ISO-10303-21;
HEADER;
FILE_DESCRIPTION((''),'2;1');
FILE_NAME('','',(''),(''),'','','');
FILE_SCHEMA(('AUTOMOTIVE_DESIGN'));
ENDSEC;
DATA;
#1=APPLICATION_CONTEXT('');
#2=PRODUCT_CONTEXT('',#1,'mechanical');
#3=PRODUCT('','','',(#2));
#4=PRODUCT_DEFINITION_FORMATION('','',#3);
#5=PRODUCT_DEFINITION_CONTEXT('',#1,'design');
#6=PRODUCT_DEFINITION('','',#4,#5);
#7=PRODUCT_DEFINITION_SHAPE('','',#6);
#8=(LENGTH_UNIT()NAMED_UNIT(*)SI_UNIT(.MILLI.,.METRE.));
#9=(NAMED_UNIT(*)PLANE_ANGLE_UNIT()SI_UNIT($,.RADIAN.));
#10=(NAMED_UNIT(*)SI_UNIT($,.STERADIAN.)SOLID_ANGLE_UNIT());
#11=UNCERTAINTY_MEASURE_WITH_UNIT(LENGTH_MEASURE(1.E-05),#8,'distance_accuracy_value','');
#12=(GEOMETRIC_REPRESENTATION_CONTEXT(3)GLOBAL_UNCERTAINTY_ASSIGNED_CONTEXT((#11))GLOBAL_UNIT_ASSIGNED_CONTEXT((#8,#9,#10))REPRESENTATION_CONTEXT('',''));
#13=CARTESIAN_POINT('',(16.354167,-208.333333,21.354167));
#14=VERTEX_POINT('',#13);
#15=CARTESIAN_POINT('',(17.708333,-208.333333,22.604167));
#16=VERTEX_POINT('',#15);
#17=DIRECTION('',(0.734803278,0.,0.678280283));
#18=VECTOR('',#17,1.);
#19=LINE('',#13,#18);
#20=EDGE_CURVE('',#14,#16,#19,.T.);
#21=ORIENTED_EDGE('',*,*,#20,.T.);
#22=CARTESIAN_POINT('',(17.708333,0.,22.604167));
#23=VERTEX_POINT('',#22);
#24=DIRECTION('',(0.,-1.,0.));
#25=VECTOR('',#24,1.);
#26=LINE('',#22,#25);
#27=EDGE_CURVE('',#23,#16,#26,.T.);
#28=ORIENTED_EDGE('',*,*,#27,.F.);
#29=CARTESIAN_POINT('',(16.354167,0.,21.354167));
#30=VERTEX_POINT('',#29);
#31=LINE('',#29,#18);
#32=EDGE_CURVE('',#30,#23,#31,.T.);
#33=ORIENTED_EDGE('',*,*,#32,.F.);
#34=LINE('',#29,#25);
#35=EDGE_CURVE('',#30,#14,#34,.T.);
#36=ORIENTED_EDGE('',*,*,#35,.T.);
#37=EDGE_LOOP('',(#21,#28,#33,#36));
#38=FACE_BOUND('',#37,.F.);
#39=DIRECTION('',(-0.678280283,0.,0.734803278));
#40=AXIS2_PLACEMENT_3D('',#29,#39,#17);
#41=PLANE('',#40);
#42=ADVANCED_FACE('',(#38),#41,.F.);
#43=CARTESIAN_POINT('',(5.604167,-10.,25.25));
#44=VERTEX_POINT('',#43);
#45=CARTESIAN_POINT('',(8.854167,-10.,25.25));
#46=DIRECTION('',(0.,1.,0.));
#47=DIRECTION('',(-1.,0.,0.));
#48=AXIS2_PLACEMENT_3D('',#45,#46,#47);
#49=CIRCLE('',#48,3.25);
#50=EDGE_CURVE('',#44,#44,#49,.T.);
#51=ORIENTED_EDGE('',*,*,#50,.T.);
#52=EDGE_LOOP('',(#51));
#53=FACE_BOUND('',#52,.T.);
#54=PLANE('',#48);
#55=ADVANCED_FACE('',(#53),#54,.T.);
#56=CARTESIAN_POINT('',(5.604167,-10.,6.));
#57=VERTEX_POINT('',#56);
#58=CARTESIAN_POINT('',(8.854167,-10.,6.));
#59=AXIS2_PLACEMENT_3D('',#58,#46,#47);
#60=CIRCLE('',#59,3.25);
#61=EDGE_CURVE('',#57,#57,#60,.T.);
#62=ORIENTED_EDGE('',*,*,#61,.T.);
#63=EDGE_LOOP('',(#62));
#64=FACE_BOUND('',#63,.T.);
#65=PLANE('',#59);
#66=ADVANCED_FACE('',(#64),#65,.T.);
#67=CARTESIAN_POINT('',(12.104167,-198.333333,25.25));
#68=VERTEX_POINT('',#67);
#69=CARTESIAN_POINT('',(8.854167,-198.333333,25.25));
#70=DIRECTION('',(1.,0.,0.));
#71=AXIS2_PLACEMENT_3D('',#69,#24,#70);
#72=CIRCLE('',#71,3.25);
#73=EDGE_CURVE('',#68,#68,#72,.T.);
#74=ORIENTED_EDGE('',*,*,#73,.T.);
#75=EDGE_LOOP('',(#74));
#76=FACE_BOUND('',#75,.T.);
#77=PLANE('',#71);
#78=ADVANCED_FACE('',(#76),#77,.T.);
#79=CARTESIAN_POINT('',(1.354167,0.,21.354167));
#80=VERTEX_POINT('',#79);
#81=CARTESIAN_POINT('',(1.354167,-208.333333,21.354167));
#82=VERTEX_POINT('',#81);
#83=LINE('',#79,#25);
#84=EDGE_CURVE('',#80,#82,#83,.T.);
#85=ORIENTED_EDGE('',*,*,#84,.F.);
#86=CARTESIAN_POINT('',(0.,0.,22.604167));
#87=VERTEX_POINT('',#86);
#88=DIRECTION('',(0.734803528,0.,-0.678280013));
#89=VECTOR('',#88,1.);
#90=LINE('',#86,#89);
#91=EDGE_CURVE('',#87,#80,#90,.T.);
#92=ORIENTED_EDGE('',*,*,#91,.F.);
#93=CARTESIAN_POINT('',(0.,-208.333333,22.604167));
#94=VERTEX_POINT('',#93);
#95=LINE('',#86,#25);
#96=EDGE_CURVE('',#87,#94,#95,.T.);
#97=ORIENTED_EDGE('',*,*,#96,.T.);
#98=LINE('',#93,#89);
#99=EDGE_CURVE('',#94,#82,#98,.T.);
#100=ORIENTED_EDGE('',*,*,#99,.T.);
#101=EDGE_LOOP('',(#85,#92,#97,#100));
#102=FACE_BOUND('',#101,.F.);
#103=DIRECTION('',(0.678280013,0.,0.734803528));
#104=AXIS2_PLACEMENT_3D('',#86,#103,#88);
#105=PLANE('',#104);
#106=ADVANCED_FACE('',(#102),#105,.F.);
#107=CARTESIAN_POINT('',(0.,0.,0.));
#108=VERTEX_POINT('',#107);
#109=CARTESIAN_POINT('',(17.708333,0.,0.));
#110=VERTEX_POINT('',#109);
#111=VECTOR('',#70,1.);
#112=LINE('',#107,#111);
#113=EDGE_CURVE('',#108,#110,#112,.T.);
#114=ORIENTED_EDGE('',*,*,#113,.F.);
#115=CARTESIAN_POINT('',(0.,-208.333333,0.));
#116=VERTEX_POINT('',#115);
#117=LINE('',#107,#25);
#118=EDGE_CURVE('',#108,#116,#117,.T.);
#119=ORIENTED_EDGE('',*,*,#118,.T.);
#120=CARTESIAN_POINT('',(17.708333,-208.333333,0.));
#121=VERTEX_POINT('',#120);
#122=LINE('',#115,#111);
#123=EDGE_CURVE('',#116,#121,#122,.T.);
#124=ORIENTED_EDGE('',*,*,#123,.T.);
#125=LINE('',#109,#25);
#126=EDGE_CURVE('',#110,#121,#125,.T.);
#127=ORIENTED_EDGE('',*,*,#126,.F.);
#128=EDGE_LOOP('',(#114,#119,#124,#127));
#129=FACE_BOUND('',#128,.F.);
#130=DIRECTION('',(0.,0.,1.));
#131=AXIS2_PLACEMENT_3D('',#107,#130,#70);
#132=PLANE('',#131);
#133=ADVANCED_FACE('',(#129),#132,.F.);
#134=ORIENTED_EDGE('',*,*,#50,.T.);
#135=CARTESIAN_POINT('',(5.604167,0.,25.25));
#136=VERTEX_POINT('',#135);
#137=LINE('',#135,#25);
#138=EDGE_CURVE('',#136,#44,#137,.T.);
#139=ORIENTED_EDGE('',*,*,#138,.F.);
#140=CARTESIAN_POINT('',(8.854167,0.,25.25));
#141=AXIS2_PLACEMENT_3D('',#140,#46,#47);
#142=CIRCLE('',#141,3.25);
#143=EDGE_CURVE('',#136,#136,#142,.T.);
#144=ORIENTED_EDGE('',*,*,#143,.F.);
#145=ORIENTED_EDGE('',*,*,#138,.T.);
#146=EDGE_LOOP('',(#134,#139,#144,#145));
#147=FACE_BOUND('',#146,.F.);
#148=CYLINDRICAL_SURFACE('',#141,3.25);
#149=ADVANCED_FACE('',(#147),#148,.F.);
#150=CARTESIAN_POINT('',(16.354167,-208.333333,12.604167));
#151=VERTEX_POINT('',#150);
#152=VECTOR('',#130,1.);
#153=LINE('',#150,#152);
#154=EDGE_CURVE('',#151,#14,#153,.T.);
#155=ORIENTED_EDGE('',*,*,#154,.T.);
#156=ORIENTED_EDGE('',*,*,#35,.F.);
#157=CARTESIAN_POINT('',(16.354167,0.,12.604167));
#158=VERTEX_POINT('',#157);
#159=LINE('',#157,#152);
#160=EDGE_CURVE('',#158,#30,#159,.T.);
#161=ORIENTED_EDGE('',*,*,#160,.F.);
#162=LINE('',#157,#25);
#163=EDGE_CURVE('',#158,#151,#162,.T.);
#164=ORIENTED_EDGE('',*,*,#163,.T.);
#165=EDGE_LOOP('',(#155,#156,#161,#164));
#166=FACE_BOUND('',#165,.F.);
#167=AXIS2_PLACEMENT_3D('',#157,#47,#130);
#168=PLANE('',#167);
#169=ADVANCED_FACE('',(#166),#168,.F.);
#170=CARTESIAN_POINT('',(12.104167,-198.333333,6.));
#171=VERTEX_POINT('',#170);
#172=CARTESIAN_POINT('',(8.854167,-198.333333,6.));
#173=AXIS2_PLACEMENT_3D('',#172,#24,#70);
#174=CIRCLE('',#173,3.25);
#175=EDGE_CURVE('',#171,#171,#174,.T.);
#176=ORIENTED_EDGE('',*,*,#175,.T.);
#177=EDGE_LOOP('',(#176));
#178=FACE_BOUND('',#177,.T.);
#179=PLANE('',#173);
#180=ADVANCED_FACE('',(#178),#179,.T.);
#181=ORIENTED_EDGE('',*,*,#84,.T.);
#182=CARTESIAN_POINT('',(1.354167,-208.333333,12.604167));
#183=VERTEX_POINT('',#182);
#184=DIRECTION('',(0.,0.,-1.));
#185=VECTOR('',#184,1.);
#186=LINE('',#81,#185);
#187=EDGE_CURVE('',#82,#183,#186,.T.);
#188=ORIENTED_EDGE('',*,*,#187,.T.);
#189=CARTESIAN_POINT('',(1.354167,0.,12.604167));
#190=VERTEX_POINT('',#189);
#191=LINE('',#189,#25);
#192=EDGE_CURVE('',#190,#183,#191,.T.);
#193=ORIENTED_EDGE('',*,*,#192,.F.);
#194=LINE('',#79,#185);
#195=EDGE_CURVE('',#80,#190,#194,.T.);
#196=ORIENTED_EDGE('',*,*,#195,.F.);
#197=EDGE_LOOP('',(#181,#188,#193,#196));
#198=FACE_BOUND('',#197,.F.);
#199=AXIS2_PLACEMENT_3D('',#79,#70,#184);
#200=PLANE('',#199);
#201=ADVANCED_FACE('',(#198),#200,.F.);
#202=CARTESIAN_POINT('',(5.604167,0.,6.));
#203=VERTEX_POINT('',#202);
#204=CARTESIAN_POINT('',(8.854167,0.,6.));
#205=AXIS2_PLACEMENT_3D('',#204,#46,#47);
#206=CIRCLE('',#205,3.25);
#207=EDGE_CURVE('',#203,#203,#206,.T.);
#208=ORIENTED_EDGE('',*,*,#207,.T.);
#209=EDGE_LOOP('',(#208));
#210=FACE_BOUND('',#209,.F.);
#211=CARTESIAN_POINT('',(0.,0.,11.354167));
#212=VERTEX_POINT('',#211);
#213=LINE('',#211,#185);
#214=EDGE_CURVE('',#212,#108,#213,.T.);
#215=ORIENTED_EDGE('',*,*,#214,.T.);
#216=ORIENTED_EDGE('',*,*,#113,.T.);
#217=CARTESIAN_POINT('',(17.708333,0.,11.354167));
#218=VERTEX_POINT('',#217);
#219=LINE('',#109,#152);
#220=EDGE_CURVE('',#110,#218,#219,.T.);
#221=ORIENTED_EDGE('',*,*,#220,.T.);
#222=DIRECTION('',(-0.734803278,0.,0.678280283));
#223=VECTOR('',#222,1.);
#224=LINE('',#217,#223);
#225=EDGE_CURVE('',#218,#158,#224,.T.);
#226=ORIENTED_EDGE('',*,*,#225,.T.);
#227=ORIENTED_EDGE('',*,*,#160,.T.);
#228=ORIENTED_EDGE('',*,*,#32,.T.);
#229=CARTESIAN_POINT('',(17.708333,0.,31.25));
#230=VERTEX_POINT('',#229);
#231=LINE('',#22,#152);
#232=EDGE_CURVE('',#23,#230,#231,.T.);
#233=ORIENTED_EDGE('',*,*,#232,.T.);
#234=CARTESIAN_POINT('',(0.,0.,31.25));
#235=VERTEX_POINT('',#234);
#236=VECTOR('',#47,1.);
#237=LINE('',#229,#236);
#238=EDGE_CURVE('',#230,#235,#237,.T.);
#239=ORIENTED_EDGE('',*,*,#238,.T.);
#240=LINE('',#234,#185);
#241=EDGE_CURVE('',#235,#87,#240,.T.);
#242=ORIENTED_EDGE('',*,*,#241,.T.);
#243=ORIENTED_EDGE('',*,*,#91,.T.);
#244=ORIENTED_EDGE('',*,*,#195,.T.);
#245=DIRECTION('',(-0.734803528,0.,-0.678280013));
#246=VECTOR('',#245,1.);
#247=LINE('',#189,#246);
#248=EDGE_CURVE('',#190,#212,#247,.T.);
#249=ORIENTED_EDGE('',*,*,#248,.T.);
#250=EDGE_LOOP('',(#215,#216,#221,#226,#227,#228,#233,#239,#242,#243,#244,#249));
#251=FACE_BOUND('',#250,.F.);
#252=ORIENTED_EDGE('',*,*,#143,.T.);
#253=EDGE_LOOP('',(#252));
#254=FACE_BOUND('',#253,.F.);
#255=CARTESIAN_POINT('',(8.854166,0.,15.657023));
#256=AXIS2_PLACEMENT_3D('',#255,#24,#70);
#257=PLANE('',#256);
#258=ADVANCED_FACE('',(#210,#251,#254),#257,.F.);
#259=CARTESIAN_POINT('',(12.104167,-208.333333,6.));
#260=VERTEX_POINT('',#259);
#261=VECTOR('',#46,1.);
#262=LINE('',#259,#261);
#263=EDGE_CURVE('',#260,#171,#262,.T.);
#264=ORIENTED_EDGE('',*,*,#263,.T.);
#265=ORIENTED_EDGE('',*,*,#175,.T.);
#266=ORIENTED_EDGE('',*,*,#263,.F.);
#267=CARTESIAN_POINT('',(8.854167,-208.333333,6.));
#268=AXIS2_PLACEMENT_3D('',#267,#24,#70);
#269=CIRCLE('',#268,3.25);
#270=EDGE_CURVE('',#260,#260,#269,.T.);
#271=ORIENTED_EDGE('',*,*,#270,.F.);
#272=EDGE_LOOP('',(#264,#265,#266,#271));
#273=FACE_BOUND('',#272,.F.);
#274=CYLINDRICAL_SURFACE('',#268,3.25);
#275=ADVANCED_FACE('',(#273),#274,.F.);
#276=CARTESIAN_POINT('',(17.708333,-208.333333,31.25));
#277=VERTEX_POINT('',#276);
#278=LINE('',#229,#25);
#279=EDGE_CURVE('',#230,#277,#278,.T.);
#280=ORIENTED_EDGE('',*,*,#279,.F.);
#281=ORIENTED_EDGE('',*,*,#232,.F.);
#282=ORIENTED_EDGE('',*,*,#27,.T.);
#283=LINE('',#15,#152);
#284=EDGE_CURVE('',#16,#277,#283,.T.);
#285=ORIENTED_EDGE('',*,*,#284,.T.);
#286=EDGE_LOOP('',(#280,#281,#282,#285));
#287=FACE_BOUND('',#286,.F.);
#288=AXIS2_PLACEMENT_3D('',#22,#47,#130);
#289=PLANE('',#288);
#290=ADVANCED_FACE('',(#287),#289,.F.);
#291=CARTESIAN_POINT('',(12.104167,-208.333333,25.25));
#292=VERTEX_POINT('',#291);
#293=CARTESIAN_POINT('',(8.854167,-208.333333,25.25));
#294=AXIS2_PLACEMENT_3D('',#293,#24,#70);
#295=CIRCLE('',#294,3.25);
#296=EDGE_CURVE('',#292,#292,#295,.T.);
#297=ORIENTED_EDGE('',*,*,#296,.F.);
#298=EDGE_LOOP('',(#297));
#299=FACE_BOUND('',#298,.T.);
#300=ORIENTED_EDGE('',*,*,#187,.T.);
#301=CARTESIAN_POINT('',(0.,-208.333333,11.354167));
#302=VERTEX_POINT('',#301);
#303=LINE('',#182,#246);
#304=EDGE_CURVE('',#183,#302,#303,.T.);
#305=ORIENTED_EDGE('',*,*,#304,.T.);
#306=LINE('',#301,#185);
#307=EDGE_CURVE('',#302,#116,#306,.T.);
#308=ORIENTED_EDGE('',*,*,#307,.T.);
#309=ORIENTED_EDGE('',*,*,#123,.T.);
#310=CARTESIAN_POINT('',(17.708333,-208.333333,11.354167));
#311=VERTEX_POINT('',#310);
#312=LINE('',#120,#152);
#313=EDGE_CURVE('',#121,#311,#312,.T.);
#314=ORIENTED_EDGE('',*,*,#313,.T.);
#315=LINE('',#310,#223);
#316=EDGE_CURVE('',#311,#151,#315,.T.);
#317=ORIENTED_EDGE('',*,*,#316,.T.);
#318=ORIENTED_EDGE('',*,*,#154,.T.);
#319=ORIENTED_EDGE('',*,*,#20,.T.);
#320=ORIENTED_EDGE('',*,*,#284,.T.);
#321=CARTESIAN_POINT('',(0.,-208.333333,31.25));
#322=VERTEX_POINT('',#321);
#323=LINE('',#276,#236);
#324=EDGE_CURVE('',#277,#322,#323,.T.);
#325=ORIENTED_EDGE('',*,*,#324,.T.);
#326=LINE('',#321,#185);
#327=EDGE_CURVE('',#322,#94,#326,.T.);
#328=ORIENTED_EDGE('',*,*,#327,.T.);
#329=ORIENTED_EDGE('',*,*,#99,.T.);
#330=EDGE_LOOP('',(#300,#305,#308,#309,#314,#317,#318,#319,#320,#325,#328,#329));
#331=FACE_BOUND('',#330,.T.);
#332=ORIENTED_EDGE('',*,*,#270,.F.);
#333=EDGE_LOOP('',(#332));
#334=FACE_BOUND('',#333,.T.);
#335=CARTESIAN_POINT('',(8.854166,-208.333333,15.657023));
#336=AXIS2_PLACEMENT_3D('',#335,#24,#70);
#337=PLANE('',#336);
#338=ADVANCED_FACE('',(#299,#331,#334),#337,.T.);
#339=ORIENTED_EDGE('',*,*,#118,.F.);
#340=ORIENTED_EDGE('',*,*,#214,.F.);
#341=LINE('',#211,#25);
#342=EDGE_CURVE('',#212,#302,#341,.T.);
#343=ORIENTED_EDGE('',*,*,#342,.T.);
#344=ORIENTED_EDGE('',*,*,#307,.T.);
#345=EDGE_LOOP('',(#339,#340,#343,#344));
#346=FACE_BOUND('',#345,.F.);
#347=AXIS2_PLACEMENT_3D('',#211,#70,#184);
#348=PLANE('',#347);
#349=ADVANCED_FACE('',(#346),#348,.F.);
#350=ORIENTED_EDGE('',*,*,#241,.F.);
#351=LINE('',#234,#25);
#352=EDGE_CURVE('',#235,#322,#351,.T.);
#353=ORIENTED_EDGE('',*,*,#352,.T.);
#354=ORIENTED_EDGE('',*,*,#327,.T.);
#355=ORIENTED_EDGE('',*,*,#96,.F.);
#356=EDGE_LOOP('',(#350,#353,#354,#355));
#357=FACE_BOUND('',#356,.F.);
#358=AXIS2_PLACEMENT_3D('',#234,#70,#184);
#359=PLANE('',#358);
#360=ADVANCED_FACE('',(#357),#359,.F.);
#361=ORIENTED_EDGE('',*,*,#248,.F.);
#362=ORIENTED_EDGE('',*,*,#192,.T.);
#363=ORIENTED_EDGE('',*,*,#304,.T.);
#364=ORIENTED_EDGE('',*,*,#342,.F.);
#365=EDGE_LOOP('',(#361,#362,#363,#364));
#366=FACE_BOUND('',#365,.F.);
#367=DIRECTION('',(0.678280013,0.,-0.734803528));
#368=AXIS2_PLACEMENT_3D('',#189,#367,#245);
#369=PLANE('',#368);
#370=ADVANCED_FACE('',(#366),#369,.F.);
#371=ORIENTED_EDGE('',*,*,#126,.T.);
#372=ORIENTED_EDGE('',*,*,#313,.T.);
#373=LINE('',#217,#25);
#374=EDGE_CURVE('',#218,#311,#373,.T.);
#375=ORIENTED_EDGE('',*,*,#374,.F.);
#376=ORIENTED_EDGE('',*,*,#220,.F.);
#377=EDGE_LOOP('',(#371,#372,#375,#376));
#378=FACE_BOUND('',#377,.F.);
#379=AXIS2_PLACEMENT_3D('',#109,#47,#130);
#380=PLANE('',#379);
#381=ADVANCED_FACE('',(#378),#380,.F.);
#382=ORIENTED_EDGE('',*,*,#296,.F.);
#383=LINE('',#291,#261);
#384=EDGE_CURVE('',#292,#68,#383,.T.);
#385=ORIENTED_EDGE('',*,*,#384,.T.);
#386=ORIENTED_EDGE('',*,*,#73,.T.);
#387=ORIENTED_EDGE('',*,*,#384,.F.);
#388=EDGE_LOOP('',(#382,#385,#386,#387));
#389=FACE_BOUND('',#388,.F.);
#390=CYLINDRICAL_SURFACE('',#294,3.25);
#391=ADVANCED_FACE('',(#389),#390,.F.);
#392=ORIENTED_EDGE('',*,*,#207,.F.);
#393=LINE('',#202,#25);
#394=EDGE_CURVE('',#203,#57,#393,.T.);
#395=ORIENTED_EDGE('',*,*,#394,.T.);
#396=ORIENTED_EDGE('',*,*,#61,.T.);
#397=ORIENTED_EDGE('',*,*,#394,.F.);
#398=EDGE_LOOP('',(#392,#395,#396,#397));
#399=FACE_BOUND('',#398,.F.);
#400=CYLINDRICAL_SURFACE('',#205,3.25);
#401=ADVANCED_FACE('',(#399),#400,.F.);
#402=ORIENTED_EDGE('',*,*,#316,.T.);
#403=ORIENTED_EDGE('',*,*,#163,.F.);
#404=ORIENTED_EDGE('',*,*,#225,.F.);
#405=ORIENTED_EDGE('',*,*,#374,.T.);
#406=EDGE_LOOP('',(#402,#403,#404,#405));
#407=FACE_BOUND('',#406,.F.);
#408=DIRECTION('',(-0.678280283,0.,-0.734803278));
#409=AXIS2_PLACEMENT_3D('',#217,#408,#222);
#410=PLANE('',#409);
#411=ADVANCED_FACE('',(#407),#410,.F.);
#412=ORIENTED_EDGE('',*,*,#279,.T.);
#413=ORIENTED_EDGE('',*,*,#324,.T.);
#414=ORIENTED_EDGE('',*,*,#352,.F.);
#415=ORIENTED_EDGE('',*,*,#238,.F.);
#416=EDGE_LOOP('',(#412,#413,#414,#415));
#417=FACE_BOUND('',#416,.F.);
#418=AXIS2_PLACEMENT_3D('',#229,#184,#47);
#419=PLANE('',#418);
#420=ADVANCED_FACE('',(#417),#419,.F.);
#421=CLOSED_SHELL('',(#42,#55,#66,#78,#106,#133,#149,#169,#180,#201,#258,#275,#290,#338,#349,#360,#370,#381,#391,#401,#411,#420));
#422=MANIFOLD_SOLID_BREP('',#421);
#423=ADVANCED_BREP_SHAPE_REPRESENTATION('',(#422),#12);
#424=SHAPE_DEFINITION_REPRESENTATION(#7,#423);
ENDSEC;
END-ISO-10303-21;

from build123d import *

# Parameters (mm, degrees)
F1_DEPTH = 208.333333
F2_R     = 3.25
F3_DEPTH = 10
F4_R     = 3.25
F5_DEPTH = 10


with BuildPart() as f1:
    # F0 (on Front) → F1 (new body)
    with BuildSketch(Plane.XZ):
        Polygon((0, 0), (8.854167, 0), (17.708333, 0), (17.708333, 11.354167), (16.354167, 12.604167), (16.354167, 21.354167), (17.708333, 22.604167), (17.708333, 31.25), (8.854167, 31.25), (0, 31.25), (0, 22.604167), (1.354167, 21.354167), (1.354167, 12.604167), (0, 11.354167), align=None)
    extrude(amount=F1_DEPTH)

    # F2 (on face) → F3 (cut)
    with BuildSketch(Plane.XZ.offset(208.333333)):
        with Locations((8.854167, 6)):
            Circle(F2_R)
        with Locations((8.854167, 25.25)):
            Circle(F2_R)
    extrude(amount=-F3_DEPTH, mode=Mode.SUBTRACT)

    # F4 (on face) → F5 (cut)
    with BuildSketch(Plane(origin=(0, 0, 0), x_dir=(-1, 0, 0), z_dir=(0, 1, 0))):
        with Locations((-8.854167, 6)):
            Circle(F4_R)
        with Locations((-8.854167, 25.25)):
            Circle(F4_R)
    extrude(amount=-F5_DEPTH, mode=Mode.SUBTRACT)


solid = f1.part
